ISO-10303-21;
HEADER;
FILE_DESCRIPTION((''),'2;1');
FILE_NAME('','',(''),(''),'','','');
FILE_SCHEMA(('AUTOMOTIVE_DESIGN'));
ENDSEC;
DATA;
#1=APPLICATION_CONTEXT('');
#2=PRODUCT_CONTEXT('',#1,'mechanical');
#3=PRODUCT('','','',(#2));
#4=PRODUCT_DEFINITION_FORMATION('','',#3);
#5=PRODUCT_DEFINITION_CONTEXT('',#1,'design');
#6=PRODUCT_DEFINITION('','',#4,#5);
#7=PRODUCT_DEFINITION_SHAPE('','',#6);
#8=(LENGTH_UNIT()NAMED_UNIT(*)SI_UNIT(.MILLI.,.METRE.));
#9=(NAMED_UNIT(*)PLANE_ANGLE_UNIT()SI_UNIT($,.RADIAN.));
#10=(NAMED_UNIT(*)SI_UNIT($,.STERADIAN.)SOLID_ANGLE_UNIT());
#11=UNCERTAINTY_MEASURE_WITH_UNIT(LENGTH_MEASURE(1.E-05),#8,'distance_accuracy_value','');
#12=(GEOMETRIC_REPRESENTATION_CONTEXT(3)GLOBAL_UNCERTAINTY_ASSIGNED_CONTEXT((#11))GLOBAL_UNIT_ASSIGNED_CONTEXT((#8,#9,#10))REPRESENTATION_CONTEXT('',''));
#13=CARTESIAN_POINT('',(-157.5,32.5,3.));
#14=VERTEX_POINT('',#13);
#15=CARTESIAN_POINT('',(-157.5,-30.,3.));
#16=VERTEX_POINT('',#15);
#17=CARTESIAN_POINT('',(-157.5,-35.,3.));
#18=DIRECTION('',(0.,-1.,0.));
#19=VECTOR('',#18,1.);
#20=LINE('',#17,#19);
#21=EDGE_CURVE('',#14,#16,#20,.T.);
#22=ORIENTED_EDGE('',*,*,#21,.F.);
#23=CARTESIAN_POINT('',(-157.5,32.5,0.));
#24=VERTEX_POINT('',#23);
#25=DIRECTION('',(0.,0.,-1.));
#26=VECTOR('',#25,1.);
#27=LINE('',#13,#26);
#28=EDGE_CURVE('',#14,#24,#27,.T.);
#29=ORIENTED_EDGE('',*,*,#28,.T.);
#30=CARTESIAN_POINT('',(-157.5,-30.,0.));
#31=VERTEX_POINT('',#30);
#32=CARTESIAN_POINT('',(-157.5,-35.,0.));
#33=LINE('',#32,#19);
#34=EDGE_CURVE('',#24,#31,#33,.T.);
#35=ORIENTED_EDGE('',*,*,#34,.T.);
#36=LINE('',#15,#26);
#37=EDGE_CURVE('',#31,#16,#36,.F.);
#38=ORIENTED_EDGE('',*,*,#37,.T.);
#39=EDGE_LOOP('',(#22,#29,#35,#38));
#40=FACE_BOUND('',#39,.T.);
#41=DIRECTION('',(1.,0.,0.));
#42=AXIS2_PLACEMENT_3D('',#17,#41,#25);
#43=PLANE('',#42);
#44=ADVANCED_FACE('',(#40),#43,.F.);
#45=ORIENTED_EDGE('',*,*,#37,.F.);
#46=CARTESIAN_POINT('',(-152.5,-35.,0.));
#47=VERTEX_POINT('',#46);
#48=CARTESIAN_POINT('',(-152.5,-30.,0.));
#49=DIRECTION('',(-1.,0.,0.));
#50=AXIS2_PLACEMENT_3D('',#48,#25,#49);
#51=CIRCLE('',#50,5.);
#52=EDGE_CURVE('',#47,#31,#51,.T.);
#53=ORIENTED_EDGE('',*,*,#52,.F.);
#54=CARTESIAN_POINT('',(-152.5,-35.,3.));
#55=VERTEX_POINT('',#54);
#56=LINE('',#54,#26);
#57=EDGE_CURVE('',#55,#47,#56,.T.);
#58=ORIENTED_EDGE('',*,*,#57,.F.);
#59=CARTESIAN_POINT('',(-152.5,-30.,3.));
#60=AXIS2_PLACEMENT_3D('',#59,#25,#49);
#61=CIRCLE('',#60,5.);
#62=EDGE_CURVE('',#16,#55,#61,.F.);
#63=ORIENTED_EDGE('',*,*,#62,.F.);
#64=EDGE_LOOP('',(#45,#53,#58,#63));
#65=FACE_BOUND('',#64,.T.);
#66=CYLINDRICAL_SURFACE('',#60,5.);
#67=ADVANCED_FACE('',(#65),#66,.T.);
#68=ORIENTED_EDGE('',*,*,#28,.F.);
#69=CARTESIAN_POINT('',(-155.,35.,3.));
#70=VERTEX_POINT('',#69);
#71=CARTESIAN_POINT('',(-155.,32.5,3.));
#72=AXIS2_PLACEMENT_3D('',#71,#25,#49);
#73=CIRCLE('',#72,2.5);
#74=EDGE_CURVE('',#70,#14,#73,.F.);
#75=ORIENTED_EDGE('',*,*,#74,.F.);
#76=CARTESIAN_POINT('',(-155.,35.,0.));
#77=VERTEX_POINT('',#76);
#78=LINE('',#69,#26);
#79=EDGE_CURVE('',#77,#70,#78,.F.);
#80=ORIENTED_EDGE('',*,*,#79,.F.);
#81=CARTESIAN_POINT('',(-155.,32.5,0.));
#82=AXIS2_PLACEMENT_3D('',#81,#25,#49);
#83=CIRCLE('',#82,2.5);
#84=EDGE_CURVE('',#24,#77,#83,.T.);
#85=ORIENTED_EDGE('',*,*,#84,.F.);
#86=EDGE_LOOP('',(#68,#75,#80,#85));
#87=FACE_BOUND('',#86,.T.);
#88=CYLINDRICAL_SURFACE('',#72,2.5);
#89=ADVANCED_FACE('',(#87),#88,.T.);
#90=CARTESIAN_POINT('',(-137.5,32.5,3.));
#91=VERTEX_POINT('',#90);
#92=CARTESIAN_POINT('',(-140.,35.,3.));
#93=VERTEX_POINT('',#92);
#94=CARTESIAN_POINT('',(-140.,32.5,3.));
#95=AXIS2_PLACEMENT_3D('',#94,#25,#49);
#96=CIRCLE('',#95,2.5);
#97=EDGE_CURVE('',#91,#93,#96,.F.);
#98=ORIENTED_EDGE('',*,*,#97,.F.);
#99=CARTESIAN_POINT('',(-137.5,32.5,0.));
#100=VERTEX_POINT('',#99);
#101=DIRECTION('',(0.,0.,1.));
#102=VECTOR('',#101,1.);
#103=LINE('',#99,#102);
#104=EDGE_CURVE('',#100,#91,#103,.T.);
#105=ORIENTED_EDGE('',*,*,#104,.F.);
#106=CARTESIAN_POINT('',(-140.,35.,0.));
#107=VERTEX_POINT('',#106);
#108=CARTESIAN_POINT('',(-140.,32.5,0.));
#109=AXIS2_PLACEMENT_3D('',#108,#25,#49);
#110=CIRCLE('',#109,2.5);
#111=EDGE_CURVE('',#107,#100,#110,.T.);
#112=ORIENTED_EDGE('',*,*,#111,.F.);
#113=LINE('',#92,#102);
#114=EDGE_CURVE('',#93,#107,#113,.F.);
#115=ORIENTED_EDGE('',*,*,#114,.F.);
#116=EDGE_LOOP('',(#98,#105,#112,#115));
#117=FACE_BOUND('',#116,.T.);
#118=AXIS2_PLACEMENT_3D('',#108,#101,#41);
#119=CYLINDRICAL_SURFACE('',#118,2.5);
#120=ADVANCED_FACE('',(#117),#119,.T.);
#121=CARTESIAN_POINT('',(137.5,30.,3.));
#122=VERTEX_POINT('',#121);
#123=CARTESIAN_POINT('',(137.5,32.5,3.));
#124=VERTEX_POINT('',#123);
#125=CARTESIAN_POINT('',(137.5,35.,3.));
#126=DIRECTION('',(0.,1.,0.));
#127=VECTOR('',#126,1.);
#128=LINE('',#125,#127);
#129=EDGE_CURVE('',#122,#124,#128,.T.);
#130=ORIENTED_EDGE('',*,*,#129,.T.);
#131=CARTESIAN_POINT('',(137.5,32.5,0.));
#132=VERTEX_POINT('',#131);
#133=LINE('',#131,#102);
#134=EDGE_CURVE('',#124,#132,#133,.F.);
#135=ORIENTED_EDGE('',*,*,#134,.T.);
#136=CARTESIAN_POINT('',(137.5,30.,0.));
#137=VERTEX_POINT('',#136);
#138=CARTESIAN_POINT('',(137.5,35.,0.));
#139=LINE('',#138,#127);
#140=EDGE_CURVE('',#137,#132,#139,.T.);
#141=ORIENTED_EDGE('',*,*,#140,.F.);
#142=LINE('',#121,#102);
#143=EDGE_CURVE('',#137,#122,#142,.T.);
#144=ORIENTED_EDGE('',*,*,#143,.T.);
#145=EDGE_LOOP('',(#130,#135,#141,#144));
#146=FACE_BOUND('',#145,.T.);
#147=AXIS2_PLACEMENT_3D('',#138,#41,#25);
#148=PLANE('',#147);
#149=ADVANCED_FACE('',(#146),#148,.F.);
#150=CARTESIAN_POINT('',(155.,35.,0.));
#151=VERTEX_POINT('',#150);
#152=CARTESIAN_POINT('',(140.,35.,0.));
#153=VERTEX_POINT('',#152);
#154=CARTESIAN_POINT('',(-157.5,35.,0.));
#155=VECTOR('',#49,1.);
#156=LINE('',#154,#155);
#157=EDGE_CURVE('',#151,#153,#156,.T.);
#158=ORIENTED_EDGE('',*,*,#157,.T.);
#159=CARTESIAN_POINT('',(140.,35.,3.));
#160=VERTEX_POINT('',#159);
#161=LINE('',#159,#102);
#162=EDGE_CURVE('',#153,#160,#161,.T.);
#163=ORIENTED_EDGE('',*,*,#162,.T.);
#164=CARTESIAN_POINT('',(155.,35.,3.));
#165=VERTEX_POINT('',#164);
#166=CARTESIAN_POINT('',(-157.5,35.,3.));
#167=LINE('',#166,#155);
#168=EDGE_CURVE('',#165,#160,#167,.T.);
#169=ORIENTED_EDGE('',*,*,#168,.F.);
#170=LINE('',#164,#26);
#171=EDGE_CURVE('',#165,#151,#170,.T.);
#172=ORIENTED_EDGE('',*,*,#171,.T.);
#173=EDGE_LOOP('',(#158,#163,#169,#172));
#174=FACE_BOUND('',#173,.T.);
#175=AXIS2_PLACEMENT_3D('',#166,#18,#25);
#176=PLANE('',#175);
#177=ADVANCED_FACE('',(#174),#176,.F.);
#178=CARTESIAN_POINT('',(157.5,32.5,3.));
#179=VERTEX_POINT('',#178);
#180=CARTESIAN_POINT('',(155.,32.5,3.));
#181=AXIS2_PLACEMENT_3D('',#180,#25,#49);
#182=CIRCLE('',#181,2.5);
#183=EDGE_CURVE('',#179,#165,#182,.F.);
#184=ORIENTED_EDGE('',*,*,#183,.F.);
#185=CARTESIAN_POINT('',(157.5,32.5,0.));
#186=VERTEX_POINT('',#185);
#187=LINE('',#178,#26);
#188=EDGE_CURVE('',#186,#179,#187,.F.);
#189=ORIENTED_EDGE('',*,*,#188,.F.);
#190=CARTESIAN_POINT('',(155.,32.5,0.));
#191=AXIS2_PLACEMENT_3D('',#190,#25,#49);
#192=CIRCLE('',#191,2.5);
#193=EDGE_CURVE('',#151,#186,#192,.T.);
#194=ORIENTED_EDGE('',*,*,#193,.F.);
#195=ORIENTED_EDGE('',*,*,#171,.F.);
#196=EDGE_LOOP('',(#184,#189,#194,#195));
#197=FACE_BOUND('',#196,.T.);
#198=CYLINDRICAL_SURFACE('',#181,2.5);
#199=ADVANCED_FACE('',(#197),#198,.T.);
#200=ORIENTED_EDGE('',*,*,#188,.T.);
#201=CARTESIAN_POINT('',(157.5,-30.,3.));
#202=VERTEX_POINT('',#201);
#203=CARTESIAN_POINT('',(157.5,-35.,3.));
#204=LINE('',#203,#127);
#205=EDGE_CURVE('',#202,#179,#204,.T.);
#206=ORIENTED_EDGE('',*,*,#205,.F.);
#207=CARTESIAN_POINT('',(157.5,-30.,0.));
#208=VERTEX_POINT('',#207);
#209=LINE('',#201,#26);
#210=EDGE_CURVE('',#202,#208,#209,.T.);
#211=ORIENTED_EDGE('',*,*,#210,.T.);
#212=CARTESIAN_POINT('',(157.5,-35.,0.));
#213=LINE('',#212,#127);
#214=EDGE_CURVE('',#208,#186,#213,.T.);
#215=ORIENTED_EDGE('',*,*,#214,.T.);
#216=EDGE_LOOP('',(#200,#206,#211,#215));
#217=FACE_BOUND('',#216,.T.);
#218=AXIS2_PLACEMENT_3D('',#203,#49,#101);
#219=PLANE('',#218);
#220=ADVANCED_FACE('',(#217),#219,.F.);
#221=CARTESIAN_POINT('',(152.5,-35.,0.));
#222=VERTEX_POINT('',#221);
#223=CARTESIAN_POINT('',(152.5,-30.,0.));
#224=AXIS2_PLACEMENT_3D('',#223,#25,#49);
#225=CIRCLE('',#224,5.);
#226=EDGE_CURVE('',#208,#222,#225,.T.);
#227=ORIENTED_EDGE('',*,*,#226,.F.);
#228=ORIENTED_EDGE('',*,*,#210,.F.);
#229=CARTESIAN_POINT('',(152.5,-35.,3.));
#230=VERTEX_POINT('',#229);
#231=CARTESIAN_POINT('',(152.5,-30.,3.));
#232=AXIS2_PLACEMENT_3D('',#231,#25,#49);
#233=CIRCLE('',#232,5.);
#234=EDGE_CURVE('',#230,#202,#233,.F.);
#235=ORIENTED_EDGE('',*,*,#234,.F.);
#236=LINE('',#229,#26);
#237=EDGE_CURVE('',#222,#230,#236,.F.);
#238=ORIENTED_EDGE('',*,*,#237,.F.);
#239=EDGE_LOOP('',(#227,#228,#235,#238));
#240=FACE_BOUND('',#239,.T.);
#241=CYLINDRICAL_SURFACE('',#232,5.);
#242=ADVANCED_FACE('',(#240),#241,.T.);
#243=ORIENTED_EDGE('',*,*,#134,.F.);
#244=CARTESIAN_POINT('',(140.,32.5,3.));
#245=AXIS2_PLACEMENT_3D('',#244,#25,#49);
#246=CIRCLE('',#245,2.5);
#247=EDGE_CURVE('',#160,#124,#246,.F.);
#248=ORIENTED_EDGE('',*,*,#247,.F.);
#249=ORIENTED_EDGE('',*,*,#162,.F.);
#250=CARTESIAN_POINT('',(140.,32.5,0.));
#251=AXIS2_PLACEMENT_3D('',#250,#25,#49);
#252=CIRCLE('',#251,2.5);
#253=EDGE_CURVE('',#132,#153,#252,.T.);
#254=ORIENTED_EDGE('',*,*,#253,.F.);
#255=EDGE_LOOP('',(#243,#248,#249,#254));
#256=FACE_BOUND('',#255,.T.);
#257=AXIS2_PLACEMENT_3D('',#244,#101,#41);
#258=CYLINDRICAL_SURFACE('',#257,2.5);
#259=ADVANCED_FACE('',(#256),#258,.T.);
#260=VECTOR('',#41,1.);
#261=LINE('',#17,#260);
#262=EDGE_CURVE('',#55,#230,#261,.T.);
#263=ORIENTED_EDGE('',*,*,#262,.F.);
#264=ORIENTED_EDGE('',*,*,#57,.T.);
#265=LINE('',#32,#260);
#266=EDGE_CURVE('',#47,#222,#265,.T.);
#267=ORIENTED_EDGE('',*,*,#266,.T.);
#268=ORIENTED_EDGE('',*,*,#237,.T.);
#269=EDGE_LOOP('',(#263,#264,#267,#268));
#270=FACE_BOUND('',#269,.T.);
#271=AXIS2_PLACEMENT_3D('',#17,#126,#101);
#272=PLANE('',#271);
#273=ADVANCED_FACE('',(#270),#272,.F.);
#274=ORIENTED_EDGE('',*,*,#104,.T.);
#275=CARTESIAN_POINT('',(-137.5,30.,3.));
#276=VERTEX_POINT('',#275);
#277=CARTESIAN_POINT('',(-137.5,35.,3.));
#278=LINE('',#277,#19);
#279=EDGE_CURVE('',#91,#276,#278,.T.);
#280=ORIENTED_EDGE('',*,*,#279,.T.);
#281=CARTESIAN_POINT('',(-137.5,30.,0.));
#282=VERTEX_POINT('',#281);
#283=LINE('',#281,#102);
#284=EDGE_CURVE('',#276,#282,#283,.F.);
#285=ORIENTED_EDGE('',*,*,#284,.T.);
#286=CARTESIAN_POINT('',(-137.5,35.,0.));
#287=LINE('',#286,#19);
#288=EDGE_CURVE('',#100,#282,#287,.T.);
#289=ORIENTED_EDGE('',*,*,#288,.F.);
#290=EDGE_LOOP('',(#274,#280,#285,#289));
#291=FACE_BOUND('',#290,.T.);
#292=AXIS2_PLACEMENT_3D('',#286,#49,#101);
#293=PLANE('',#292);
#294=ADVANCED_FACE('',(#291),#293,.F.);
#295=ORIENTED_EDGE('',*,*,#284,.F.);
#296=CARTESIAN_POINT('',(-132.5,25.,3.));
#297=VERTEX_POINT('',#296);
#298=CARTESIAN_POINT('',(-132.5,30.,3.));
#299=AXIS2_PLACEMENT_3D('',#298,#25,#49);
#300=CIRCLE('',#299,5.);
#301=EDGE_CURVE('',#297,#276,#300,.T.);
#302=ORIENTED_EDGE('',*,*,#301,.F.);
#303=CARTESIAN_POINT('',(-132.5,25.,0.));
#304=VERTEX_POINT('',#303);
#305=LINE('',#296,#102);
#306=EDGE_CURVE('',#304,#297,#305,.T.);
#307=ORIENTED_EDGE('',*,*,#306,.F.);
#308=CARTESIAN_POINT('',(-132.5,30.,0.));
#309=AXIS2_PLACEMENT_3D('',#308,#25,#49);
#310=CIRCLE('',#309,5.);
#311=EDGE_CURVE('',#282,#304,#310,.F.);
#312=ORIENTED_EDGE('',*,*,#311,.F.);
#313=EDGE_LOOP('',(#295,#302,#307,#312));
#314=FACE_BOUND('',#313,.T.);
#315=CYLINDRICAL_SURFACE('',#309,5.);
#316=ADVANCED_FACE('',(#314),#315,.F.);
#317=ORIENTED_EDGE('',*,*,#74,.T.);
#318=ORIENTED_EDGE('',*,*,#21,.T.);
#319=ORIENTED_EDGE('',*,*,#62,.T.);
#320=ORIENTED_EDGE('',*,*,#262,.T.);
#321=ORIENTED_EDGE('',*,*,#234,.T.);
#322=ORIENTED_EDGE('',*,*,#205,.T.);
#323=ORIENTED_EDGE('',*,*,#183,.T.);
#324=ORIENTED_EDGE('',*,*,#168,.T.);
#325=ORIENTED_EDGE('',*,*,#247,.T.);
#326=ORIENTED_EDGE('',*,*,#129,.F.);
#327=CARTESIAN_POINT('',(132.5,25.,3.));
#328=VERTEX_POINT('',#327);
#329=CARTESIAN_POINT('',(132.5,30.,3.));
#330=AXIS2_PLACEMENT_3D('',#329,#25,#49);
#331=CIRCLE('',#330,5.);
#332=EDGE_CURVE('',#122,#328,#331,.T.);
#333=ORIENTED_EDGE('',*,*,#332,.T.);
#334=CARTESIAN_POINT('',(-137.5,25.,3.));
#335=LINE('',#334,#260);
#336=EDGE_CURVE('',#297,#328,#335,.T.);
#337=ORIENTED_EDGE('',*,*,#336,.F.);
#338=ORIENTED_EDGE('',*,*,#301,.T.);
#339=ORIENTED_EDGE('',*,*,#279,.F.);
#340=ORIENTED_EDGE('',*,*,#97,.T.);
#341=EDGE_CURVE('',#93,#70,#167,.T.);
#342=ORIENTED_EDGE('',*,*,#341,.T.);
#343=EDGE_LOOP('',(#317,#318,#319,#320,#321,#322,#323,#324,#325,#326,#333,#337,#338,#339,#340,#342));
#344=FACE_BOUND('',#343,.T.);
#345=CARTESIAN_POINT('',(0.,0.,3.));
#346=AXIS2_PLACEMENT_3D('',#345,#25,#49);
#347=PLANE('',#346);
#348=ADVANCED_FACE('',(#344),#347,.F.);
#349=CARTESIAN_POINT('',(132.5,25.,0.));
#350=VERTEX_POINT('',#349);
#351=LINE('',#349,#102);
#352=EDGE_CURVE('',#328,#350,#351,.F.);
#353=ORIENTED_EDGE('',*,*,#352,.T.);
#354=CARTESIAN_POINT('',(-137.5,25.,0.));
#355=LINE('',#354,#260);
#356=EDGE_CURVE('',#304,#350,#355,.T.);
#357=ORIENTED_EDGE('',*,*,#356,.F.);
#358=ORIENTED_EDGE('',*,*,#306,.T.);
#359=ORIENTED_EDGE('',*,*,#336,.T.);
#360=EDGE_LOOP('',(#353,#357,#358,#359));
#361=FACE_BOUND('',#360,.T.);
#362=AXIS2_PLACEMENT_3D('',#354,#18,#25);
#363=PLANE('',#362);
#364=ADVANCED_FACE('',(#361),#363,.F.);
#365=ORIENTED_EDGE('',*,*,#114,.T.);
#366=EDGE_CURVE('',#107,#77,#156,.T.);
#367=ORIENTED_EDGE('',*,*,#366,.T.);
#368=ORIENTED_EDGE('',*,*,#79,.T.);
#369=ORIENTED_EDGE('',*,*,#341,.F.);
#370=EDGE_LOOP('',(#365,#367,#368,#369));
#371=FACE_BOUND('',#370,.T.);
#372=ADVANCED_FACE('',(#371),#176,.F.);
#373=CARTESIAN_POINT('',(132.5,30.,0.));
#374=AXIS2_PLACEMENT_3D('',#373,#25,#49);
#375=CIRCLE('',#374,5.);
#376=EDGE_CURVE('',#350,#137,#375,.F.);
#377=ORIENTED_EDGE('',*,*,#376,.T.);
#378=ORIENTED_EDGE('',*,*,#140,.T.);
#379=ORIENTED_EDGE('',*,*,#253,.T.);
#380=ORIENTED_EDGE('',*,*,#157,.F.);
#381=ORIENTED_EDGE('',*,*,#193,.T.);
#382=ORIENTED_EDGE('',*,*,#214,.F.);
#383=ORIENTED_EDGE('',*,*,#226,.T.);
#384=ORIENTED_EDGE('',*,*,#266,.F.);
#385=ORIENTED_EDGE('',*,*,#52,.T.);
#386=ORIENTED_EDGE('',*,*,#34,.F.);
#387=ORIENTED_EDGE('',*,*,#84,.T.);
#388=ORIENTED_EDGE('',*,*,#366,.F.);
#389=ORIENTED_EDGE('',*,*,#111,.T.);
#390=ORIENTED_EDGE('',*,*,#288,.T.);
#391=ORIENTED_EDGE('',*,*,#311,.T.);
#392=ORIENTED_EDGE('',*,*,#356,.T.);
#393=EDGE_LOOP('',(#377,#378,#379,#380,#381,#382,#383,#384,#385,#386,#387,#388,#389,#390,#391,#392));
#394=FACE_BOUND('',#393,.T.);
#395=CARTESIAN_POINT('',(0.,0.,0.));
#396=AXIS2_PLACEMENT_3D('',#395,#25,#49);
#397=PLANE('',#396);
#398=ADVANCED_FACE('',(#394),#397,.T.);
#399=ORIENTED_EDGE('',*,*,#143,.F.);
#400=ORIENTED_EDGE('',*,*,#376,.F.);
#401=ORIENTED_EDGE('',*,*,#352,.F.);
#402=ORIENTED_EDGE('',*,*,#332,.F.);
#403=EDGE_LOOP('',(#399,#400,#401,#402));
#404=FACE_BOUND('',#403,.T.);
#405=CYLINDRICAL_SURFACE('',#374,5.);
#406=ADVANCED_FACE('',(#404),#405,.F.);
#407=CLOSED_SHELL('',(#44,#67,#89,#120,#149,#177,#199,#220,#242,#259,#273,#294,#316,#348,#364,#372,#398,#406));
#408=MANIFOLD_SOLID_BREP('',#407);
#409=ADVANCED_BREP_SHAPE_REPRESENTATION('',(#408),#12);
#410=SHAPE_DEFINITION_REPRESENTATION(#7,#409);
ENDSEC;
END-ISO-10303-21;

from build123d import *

# Parameters (mm, degrees)
SKETCH1_W           = 315
SKETCH1_H           = 70
BOSS_EXTRUDE1_DEPTH = 3
SKETCH2_W           = 275
SKETCH2_H           = 10
CUT_EXTRUDE1_DEPTH  = 3
FILLET1_R           = 5
FILLET2_R           = 2.5


with BuildPart() as part:
    # Sketch1 → Boss-Extrude1 (new body)
    with BuildSketch(Plane.XY):
        Rectangle(SKETCH1_W, SKETCH1_H)
    extrude(amount=BOSS_EXTRUDE1_DEPTH)

    # Sketch2 → Cut-Extrude1 (cut)
    with BuildSketch(Plane.XY.offset(3)):
        with Locations((0, 30)):
            Rectangle(SKETCH2_W, SKETCH2_H)
    extrude(amount=-CUT_EXTRUDE1_DEPTH, mode=Mode.SUBTRACT)

    # Fillet1
    fillet1_edges = [part.edges().sort_by_distance(p)[0] for p in [
        (-137.5, 25, 1.5),
        (137.5, 25, 1.5),
        (157.5, -35, 1.5),
        (-157.5, -35, 1.5),
    ]]
    fillet(fillet1_edges, radius=FILLET1_R)

    # Fillet2
    fillet2_edges = [part.edges().sort_by_distance(p)[0] for p in [
        (-137.5, 35, 1.5),
        (137.5, 35, 1.5),
        (-157.5, 35, 1.5),
        (157.5, 35, 1.5),
    ]]
    fillet(fillet2_edges, radius=FILLET2_R)


solid = part.part
